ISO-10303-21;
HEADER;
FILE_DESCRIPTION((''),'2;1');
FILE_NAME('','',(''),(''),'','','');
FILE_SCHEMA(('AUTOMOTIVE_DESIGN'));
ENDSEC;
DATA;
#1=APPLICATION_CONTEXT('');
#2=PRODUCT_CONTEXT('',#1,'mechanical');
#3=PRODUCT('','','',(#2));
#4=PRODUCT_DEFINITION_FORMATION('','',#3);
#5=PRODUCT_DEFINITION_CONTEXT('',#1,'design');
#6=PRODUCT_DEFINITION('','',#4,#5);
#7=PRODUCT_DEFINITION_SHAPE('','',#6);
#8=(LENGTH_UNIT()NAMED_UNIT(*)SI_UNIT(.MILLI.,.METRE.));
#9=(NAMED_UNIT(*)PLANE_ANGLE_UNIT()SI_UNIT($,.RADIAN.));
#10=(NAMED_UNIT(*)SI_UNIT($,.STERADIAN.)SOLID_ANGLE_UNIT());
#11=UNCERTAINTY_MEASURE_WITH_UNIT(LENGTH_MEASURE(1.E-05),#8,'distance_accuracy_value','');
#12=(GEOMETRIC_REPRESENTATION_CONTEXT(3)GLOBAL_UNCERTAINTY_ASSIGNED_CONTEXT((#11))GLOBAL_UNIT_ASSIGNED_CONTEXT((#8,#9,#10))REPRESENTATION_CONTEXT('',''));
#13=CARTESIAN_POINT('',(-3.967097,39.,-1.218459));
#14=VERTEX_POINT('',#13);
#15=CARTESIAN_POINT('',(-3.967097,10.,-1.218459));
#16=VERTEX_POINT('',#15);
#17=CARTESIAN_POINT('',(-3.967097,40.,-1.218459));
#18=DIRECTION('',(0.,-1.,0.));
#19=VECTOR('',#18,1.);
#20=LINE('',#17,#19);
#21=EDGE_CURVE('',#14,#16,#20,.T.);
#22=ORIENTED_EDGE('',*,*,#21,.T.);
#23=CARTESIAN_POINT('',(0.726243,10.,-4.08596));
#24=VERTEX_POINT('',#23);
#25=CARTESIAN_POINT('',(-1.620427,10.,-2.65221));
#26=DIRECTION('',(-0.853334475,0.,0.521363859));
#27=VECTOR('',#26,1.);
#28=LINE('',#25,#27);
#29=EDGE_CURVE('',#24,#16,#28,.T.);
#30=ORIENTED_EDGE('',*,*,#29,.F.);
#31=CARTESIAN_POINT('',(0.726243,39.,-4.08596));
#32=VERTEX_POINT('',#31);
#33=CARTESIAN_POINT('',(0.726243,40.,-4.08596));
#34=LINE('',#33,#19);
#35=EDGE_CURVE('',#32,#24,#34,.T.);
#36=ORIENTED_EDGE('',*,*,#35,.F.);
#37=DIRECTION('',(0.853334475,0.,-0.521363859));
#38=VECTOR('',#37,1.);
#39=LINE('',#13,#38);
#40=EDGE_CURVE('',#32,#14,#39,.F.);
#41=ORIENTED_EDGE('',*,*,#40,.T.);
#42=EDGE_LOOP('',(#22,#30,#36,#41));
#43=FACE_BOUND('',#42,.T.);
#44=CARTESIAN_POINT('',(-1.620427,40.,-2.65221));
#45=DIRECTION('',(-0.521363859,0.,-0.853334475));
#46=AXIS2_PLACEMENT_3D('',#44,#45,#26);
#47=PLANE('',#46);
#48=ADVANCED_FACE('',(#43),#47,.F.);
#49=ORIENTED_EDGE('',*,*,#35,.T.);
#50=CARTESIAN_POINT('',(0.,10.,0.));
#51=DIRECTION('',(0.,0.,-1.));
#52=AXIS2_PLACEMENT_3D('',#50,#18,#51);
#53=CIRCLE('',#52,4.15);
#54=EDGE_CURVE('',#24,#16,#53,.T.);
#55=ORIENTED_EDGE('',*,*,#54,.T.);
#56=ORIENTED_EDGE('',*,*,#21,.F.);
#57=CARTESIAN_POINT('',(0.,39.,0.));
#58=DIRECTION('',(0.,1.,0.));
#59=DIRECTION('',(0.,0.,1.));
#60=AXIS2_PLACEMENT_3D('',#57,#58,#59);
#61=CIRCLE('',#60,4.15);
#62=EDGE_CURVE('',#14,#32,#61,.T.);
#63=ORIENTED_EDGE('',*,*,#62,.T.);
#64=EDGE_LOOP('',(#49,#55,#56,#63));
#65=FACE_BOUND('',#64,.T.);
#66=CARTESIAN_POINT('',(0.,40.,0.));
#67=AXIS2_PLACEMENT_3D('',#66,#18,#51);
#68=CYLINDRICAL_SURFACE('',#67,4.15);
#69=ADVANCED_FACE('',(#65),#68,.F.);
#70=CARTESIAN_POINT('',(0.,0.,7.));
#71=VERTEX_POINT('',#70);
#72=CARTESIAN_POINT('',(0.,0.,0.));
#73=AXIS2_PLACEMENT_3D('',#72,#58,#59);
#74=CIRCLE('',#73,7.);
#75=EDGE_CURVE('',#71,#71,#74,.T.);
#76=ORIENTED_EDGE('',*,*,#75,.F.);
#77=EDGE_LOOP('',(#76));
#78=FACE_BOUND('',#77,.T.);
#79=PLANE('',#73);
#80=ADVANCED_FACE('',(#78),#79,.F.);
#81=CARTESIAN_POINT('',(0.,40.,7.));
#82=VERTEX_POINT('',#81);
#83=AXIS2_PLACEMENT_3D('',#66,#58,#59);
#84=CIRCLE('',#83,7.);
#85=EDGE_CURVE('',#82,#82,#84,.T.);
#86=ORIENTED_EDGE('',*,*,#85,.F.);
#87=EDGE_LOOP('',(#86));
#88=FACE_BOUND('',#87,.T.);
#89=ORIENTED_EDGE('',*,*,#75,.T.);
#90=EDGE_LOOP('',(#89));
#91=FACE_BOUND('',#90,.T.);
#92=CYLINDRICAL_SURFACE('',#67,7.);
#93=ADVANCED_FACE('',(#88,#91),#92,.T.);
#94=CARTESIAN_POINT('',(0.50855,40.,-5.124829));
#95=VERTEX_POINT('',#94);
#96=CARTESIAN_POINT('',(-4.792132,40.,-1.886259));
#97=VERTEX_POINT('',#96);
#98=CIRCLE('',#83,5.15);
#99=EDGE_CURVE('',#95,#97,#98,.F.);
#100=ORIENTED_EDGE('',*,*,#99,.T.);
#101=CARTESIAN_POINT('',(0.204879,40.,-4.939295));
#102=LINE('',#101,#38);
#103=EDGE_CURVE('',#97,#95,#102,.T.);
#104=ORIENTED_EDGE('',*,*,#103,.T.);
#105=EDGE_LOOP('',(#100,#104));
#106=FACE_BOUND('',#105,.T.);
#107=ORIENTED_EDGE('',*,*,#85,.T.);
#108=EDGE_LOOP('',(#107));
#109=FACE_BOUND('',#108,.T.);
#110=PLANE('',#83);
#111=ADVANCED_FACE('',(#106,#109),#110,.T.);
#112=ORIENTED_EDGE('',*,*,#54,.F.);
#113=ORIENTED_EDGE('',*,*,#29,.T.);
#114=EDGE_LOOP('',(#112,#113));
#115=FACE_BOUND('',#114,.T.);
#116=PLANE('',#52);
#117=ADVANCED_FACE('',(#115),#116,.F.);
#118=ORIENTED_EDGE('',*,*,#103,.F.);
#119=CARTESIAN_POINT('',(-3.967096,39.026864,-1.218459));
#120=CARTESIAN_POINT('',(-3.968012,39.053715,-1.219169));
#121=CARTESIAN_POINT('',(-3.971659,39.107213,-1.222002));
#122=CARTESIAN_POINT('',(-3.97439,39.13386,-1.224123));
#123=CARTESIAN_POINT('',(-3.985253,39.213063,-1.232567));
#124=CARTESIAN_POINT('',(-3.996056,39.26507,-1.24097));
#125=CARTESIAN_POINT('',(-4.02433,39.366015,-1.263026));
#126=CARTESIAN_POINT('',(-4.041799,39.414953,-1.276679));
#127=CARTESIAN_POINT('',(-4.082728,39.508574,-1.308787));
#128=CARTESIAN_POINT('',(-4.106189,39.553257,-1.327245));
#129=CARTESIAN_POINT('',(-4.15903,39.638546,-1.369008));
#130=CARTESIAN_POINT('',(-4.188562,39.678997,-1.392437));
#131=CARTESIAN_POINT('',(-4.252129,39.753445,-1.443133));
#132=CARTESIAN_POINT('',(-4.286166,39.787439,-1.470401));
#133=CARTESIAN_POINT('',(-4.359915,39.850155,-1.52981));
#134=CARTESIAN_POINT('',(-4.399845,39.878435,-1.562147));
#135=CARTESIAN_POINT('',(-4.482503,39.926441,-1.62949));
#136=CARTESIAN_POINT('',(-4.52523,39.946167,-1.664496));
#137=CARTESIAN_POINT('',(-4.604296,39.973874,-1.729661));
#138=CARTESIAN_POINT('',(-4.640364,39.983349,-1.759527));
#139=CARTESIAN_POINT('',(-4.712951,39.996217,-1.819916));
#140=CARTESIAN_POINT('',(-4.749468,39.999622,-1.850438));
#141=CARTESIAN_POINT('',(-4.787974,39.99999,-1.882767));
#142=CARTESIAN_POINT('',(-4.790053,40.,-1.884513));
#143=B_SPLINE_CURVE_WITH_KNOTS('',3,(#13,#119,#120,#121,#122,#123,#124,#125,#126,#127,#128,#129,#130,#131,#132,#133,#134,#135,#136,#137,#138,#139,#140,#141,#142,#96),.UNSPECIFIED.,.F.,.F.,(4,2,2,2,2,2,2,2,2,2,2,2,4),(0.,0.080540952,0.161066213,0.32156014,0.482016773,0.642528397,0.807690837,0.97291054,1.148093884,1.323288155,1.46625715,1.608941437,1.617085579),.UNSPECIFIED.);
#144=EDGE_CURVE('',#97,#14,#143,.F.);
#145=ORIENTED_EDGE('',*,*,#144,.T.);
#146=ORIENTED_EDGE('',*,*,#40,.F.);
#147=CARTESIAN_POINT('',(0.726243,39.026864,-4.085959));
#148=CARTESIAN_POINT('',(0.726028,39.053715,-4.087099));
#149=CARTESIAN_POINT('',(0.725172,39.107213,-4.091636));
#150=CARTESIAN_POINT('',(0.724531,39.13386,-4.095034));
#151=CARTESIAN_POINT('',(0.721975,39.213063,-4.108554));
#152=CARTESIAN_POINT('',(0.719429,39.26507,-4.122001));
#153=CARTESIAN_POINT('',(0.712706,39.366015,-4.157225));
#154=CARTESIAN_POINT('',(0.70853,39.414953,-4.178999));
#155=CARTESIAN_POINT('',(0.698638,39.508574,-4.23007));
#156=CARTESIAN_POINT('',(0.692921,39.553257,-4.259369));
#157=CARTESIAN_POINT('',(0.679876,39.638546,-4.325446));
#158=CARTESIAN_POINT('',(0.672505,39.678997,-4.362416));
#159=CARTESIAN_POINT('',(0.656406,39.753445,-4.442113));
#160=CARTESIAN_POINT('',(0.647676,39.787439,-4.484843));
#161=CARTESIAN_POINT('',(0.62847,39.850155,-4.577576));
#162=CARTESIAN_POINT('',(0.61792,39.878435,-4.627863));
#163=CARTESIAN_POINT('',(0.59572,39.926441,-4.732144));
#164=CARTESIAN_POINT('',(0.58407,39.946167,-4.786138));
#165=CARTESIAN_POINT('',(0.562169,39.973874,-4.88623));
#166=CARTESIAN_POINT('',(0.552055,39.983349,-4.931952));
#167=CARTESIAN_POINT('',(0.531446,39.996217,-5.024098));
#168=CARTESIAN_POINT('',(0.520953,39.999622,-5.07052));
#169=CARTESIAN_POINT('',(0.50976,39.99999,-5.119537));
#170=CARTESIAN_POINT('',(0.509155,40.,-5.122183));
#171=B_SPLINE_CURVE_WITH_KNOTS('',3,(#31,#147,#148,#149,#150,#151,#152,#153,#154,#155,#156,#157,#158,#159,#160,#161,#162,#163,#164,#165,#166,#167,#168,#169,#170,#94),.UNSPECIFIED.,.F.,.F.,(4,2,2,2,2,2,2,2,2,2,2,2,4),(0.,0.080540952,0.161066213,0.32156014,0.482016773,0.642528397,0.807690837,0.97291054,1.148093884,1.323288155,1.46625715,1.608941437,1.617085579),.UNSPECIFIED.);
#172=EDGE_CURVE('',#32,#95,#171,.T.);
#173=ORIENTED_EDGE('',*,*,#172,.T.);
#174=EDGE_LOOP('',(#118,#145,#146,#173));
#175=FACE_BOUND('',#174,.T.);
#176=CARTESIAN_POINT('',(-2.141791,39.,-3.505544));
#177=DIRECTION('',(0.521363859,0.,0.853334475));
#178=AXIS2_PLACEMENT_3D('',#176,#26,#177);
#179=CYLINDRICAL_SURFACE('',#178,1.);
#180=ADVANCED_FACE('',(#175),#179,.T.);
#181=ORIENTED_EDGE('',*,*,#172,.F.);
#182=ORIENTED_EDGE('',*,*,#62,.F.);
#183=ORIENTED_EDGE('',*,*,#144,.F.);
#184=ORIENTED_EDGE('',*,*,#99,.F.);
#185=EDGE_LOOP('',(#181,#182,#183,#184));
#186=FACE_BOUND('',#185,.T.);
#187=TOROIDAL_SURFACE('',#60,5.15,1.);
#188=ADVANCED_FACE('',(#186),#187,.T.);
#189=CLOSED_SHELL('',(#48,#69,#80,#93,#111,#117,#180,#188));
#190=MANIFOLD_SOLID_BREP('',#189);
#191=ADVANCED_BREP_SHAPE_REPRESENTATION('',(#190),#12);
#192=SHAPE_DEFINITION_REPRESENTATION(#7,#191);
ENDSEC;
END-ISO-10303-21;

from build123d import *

# Parameters (mm, degrees)
SKETCH1_R           = 7
BOSS_EXTRUDE1_DEPTH = 40
FILLET1_R           = 1
SKETCH2_R           = 4.15
BOSS_EXTRUDE2_DEPTH = 10


with BuildPart() as part:
    # Sketch1 → Boss-Extrude1 (new body)
    with BuildSketch(Plane(origin=(0, 0, 0), x_dir=(1, 0, 0), z_dir=(0, 1, 0))):
        with Locations(Location((0, 0, 0), (0, 0, 270))):
            Circle(SKETCH1_R)
        with BuildLine():
            Line((-3.967096862, 1.218459063), (0.726242752, 4.085960287))
            ThreePointArc((0.726242752, 4.085960287), (2.163660014, -3.541338072), (-3.967096862, 1.218459063))
        make_face(mode=Mode.SUBTRACT)
    extrude(amount=BOSS_EXTRUDE1_DEPTH)

    # Fillet1
    fillet1_edges = [part.edges().sort_by_distance(p)[0] for p in [
        (-1.620427055, 40, -2.652209675),
        (2.163660014, 40, 3.541338072),
    ]]
    fillet(fillet1_edges, radius=FILLET1_R)

    # Sketch2 → Boss-Extrude2 (add)
    with BuildSketch(Plane.XZ):
        Circle(SKETCH2_R)
    extrude(amount=-BOSS_EXTRUDE2_DEPTH)


solid = part.part
